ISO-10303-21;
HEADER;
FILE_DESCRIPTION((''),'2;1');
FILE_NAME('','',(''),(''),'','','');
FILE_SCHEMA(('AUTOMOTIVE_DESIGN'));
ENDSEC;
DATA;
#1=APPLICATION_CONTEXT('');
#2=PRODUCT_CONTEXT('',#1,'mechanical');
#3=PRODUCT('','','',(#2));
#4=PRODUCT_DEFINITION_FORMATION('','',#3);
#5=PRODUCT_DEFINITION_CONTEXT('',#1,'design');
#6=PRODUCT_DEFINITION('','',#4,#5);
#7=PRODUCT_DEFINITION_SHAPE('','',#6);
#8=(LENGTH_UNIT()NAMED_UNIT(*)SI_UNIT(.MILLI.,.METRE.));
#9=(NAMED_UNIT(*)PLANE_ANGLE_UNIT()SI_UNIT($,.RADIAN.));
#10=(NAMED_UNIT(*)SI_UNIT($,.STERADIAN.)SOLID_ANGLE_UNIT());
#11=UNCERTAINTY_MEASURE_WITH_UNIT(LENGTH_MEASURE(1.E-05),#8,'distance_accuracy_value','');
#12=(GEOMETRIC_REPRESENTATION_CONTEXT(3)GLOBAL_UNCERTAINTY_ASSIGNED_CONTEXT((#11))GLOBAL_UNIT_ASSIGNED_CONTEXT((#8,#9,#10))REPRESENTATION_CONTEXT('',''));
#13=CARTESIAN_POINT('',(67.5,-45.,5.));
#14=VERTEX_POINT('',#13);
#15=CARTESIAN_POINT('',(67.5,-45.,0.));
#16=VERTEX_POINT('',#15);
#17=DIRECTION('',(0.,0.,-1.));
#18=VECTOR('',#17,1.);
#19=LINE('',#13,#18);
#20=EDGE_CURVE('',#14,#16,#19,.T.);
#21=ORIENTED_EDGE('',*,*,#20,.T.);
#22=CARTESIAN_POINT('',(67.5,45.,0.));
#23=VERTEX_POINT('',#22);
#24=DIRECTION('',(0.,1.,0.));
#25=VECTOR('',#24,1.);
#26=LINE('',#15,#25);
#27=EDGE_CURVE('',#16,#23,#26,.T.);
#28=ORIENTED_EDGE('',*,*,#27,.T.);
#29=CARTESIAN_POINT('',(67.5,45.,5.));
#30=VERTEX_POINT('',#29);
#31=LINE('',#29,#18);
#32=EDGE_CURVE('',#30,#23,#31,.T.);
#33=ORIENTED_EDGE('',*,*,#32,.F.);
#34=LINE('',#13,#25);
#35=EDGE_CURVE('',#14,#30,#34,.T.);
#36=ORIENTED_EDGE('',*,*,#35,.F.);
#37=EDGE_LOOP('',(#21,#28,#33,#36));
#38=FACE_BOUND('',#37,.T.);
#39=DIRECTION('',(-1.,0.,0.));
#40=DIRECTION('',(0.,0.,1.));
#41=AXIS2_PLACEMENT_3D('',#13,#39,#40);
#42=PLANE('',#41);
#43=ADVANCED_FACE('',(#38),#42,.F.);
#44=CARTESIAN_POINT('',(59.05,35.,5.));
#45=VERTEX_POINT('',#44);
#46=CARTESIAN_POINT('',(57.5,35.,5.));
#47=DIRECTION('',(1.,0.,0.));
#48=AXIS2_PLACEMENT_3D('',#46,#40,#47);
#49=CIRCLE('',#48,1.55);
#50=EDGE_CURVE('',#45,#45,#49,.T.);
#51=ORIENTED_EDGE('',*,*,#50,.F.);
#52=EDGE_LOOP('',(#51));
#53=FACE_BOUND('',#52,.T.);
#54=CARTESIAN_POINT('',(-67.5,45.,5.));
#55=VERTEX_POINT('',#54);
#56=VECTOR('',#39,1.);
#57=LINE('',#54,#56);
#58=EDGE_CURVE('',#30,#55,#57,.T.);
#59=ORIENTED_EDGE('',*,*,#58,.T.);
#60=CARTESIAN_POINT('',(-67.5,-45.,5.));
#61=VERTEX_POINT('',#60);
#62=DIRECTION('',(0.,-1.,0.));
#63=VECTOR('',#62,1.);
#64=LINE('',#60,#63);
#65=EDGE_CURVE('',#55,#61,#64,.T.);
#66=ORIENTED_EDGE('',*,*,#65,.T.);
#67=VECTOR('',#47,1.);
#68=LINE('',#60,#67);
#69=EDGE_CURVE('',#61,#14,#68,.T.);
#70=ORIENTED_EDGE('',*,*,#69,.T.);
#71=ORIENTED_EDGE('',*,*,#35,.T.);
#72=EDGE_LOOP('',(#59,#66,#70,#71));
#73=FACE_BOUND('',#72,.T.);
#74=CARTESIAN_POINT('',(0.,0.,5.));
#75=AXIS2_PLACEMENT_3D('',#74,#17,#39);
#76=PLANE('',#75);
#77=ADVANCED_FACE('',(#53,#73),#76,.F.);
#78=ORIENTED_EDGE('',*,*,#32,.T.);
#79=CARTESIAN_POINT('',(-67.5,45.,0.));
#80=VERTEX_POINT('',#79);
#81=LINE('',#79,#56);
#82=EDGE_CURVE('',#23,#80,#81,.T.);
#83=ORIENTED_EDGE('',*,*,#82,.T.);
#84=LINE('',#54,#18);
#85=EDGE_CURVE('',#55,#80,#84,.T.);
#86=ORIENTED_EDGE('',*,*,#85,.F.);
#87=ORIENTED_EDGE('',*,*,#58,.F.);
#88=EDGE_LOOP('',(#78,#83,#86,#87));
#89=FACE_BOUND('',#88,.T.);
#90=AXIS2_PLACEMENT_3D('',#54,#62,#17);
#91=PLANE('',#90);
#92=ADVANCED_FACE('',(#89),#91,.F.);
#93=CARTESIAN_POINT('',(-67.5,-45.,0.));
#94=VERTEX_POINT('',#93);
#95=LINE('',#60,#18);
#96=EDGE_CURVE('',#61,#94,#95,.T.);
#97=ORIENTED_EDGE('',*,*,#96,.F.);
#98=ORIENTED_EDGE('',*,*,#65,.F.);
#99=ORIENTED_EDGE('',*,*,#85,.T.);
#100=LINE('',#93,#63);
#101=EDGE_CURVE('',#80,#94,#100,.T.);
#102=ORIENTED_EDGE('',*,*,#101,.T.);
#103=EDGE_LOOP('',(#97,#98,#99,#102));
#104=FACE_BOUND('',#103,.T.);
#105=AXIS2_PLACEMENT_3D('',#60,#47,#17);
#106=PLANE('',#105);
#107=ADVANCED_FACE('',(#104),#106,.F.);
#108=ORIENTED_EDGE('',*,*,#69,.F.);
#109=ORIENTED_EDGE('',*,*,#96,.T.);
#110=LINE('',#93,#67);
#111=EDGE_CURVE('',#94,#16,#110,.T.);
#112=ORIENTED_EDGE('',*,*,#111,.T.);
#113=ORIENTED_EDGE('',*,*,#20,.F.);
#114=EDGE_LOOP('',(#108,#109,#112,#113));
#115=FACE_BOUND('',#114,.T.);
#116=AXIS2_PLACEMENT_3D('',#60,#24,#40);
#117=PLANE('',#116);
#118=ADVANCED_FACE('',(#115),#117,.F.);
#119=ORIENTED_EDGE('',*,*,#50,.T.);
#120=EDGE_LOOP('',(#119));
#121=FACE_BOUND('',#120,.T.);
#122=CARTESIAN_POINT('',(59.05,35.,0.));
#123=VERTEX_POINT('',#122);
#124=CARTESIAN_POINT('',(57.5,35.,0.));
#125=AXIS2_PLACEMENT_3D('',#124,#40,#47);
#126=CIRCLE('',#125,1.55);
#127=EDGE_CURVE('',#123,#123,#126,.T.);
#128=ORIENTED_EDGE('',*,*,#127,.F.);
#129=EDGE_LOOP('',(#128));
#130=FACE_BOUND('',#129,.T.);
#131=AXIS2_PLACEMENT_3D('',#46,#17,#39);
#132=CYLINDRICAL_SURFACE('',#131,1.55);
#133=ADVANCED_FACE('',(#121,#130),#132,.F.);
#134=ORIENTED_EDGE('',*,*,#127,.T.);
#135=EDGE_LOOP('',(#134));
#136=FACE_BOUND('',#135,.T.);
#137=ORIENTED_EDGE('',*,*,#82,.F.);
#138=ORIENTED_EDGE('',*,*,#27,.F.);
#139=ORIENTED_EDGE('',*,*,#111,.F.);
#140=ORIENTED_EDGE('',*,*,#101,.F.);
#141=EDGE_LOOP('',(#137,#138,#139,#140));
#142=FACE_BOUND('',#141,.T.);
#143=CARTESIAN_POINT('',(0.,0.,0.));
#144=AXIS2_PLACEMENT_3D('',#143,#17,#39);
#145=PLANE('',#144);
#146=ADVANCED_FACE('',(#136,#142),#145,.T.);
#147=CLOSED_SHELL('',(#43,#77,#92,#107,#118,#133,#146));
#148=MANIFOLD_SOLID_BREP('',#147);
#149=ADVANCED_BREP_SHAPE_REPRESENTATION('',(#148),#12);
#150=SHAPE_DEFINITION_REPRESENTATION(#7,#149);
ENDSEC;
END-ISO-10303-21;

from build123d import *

# Parameters (mm, degrees)
ESQUISSE1_W        = 135
ESQUISSE1_H        = 90
ESQUISSE1_R        = 1.55
BOSS_EXTRU_1_DEPTH = 5


with BuildPart() as part:
    # Esquisse1 → Boss.-Extru.1 (new body)
    with BuildSketch(Plane.XY):
        Rectangle(ESQUISSE1_W, ESQUISSE1_H)
        with Locations((57.5, 35)):
            Circle(ESQUISSE1_R, mode=Mode.SUBTRACT)
    extrude(amount=BOSS_EXTRU_1_DEPTH)


solid = part.part
